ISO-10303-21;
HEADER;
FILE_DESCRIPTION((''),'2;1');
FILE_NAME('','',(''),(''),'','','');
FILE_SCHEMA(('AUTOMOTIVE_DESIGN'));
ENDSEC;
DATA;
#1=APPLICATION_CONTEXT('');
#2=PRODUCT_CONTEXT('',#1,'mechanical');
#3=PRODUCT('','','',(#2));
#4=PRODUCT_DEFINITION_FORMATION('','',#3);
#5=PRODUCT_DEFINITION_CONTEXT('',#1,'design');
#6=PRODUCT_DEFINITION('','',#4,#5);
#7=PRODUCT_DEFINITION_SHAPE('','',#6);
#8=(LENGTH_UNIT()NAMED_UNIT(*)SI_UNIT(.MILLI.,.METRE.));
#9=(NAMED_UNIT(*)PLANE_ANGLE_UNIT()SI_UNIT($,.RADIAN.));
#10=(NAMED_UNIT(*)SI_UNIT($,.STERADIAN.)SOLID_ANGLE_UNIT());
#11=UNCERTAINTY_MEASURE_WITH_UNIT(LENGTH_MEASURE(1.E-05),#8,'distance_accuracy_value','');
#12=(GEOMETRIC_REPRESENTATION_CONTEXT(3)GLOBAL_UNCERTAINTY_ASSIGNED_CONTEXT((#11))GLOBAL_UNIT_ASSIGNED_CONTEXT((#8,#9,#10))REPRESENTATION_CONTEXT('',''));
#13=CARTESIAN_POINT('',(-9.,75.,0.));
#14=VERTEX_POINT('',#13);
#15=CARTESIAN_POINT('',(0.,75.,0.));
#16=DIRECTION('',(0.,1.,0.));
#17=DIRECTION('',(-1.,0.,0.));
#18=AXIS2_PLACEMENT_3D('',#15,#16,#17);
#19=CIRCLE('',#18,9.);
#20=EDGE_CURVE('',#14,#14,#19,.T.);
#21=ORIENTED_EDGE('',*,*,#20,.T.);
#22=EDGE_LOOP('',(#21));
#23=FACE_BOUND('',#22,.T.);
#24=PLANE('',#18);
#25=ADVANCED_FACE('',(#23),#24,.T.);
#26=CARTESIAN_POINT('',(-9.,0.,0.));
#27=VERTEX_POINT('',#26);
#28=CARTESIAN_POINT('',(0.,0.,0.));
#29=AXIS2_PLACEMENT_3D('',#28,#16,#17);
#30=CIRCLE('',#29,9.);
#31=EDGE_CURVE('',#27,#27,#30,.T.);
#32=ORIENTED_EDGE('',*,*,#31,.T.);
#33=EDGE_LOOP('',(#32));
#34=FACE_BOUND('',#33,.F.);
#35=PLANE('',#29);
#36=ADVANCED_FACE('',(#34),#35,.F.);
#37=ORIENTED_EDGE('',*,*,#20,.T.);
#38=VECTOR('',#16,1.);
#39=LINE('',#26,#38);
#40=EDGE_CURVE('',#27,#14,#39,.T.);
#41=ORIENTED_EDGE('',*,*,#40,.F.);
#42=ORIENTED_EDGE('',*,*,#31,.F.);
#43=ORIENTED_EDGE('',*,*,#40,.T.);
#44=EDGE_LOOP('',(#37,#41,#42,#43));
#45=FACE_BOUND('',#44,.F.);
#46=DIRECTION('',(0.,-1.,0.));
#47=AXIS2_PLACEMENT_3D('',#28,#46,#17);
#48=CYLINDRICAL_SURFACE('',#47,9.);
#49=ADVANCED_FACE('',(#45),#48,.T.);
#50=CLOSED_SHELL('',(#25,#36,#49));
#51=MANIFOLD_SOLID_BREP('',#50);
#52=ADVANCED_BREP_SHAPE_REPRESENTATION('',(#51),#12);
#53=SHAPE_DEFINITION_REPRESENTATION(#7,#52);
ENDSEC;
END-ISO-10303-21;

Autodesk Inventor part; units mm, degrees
ref_plane "YZ Plane" through (0, 0, 0) normal (1, 0, 0) x (0, 1, 0)
ref_plane "XZ Plane" through (0, 0, 0) normal (0, 1, 0) x (-1, 0, 0)
ref_plane "XY Plane" through (0, 0, 0) normal (0, 0, 1) x (1, 0, 0)
sketch "Эскиз1" plane through (0, 0, 0) normal (0, 1, 0) x (-1, 0, 0)
  circle A0 centre (0, 0) radius 9
  dimension "d0" = 18
extrude "Выдавливание1" add sketch "Эскиз1" along normal blind 75
properties part number "18650" material "Сталь"
